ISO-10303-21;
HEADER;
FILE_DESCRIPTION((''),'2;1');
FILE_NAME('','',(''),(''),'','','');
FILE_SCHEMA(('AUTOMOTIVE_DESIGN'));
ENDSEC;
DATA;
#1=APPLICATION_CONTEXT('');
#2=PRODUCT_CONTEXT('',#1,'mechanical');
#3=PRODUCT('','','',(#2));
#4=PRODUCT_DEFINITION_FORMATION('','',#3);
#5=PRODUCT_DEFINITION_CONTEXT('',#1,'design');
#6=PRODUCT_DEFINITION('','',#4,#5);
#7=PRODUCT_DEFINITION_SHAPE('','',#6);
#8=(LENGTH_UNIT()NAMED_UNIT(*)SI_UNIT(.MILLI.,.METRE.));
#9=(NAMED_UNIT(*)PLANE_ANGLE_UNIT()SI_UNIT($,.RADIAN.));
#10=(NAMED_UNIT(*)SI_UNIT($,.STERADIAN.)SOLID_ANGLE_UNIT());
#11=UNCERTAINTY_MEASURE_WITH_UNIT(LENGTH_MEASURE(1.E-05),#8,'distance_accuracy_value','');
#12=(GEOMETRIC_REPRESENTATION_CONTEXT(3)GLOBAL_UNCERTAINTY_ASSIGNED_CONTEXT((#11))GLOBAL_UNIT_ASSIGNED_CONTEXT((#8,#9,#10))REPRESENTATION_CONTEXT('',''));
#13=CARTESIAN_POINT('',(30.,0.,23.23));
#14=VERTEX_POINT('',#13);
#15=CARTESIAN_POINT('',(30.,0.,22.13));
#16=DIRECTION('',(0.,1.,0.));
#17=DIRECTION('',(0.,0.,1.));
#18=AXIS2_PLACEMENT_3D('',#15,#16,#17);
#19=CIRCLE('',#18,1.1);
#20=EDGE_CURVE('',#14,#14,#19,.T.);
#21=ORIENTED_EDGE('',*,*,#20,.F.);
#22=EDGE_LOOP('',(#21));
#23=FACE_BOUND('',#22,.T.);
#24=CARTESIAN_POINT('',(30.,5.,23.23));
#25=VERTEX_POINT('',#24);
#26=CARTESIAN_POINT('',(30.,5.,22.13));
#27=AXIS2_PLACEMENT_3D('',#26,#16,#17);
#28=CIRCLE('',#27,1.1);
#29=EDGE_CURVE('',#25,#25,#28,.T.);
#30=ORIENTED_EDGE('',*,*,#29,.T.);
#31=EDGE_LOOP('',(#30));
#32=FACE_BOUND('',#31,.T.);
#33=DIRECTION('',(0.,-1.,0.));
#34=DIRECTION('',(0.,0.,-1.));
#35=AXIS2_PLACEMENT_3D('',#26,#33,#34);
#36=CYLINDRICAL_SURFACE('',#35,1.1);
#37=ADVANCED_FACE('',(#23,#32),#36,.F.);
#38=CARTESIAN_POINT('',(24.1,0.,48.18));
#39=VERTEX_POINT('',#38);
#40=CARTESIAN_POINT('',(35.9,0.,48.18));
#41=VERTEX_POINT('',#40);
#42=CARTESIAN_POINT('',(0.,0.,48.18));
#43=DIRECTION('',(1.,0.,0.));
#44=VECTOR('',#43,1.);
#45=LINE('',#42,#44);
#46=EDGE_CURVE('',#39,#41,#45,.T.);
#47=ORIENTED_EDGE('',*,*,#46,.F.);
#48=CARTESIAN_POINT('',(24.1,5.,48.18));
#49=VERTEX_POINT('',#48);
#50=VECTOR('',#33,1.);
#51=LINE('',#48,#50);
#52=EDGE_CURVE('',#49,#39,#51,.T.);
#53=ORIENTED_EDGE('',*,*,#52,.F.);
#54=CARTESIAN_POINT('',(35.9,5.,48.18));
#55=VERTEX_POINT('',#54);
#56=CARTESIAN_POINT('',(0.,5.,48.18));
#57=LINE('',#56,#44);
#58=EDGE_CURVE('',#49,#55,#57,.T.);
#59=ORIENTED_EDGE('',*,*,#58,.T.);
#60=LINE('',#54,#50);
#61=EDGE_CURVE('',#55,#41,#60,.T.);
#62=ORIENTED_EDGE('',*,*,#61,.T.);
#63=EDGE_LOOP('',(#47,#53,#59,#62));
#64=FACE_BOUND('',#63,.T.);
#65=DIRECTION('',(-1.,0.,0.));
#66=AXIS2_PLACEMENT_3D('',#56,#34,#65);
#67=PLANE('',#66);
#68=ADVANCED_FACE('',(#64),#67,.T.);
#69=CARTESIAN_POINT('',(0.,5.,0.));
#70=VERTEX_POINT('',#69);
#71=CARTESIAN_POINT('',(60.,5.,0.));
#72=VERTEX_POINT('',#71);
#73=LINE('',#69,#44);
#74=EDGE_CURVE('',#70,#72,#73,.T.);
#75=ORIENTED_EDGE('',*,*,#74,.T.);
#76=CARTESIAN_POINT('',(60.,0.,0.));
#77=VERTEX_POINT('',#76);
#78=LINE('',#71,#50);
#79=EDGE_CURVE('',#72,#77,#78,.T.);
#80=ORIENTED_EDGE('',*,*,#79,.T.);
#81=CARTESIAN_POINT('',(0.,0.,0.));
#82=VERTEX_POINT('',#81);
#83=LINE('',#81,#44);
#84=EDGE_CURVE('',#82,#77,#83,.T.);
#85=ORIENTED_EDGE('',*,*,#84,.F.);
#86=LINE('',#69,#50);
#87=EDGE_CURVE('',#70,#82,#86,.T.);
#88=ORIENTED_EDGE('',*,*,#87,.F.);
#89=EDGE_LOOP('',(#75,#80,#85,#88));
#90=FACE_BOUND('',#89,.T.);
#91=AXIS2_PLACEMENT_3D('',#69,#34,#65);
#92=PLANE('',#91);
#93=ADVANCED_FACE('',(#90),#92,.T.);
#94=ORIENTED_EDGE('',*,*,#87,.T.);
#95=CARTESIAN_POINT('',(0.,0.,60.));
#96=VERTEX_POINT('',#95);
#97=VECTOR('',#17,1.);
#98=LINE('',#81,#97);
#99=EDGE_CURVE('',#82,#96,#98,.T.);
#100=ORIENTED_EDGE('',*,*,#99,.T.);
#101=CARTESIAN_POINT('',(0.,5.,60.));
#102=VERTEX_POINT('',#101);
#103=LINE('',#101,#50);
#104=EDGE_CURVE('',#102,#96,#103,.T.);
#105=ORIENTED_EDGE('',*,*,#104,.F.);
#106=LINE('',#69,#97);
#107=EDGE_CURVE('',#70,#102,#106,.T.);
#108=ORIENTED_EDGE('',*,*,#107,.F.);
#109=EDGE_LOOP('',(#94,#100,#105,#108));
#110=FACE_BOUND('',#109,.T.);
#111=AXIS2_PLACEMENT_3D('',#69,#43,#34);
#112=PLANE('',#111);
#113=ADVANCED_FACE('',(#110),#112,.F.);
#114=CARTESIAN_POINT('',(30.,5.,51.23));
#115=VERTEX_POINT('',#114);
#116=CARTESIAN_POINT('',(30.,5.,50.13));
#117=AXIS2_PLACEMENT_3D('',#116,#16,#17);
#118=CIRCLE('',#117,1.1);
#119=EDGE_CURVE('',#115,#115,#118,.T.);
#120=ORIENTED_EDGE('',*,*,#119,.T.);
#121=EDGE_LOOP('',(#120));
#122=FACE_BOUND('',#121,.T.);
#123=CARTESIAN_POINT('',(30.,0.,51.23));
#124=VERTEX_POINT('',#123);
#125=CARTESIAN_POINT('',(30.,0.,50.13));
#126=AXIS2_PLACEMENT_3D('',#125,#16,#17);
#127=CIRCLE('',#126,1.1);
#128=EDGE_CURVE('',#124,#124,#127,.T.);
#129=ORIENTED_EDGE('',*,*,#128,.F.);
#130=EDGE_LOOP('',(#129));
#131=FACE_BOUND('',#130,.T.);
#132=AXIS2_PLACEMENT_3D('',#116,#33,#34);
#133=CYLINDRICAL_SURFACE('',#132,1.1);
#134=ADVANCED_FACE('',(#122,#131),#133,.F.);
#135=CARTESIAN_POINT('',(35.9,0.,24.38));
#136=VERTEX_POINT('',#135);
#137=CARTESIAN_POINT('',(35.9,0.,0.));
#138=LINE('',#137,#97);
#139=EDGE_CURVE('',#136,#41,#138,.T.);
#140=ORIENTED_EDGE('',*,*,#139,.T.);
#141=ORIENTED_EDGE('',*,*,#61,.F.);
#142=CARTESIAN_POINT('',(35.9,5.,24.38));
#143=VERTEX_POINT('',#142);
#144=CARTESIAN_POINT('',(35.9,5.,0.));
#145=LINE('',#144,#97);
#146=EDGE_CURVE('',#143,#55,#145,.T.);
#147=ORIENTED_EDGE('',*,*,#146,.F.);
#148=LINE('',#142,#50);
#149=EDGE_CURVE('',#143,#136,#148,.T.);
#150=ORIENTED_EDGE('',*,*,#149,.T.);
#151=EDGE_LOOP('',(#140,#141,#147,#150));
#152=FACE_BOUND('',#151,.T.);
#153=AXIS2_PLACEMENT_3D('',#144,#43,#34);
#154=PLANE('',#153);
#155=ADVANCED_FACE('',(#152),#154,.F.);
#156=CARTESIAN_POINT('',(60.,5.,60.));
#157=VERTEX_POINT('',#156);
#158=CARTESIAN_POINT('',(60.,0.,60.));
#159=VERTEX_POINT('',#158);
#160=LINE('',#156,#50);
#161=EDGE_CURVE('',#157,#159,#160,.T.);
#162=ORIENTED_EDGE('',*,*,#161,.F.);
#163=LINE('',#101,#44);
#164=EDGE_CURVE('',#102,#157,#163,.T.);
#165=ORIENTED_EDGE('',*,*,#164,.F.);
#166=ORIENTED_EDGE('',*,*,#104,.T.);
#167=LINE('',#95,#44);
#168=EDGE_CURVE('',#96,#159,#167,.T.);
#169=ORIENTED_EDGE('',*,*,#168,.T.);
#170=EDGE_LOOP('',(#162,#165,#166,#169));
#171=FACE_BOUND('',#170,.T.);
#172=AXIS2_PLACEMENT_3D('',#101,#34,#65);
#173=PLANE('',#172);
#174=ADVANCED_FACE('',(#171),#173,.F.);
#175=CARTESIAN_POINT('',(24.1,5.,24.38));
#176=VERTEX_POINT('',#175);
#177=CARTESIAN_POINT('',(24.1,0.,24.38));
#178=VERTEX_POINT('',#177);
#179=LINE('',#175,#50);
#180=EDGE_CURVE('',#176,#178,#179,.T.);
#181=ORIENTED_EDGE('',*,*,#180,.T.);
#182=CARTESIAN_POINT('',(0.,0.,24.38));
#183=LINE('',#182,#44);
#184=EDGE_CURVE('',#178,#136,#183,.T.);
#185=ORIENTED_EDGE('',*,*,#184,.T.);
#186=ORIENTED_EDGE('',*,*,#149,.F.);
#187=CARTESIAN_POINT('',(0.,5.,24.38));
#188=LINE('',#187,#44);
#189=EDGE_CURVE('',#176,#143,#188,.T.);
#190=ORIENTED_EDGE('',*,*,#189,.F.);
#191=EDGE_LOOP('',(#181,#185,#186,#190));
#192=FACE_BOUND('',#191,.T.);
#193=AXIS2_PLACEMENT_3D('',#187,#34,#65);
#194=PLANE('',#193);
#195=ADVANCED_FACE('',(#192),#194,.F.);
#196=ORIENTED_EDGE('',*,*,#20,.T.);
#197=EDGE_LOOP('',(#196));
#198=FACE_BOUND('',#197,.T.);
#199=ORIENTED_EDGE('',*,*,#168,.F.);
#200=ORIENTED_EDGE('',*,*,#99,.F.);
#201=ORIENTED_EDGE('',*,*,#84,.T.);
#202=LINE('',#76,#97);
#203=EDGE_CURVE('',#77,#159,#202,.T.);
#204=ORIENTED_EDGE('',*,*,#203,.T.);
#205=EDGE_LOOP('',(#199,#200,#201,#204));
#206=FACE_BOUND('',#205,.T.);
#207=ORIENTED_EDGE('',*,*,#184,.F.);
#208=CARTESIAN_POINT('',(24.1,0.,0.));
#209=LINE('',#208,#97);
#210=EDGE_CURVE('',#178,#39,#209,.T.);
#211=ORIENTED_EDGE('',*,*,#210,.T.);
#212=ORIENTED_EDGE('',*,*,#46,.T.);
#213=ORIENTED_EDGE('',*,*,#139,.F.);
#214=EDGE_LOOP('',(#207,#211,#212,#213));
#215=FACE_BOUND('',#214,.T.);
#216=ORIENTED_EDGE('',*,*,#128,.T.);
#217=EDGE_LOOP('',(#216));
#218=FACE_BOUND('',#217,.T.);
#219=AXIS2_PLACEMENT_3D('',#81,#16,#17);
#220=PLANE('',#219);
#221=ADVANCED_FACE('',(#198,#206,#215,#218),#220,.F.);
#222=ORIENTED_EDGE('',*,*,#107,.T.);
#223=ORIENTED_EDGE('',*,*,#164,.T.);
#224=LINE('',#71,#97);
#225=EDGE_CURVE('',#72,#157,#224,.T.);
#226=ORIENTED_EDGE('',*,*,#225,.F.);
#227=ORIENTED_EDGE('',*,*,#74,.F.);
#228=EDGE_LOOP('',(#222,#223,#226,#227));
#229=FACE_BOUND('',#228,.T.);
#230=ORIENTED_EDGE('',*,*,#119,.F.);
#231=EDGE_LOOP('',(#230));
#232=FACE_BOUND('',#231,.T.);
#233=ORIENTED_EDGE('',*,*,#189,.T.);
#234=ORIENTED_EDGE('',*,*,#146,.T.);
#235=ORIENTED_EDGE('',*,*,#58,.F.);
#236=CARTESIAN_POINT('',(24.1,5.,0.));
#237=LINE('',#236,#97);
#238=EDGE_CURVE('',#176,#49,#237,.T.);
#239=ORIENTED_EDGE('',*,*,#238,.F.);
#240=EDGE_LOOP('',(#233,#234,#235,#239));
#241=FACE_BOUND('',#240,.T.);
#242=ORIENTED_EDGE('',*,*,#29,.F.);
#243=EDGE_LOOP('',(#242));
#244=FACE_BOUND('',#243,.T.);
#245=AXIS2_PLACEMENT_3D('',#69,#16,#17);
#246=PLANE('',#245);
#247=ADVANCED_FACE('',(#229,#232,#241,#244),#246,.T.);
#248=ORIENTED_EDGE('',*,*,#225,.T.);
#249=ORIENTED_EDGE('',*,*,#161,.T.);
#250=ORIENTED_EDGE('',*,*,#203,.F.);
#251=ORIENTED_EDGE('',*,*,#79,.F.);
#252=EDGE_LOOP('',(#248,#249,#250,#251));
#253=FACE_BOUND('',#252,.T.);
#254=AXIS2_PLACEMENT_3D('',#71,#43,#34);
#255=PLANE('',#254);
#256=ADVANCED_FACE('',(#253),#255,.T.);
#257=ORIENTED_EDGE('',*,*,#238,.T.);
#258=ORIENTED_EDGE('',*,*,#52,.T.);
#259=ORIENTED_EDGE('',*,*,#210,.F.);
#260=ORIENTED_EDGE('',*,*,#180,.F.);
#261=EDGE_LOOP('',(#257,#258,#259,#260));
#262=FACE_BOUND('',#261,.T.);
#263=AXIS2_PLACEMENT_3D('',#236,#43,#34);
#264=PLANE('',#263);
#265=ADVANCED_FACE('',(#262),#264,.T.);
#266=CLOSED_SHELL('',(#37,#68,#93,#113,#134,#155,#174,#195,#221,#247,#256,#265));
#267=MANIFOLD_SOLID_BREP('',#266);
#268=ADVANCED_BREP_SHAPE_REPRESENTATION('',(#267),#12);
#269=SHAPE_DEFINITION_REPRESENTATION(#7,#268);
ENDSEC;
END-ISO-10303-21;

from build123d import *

# Parameters (mm, degrees)
EXTRUDE_1_DEPTH = 5


with BuildPart() as part:
    # 草图1 → 凸台-拉伸1 (new body)
    with BuildSketch(Plane(origin=(0, 0, 0), x_dir=(1, 0, 0), z_dir=(0, 1, 0))):
        Polygon((30, -20.08), (30, 0), (0, 0), (0, -60), (30, -60), (30, -52.18), (24.1, -52.18), (24.1, -48.18), (24.1, -24.38), (24.1, -20.08), align=None)
        Polygon((60, 0), (30, 0), (30, -20.08), (35.9, -20.08), (35.9, -24.38), (35.9, -48.18), (35.9, -52.18), (30, -52.18), (30, -60), (60, -60), align=None)
        with BuildLine():
            Line((30, -48.18), (24.1, -48.18))
            Line((24.1, -48.18), (24.1, -52.18))
            Line((24.1, -52.18), (30, -52.18))
            Line((30, -52.18), (30, -51.23))
            ThreePointArc((30, -51.23), (28.9, -50.13), (30, -49.03))
            Line((30, -49.03), (30, -48.18))
        make_face()
        with BuildLine():
            Line((35.9, -52.18), (35.9, -48.18))
            Line((35.9, -48.18), (30, -48.18))
            Line((30, -48.18), (30, -49.03))
            ThreePointArc((30, -49.03), (30.777817459, -49.352182541), (31.1, -50.13))
            ThreePointArc((31.1, -50.13), (30.777817459, -50.907817459), (30, -51.23))
            Line((30, -51.23), (30, -52.18))
            Line((30, -52.18), (35.9, -52.18))
        make_face()
        with BuildLine():
            Line((30, -21.03), (30, -20.08))
            Line((30, -20.08), (24.1, -20.08))
            Line((24.1, -20.08), (24.1, -24.38))
            Line((24.1, -24.38), (30, -24.38))
            Line((30, -24.38), (30, -23.23))
            ThreePointArc((30, -23.23), (28.9, -22.13), (30, -21.03))
        make_face()
        with BuildLine():
            Line((35.9, -20.08), (30, -20.08))
            Line((30, -20.08), (30, -21.03))
            ThreePointArc((30, -21.03), (30.777817459, -21.352182541), (31.1, -22.13))
            ThreePointArc((31.1, -22.13), (30.777817459, -22.907817459), (30, -23.23))
            Line((30, -23.23), (30, -24.38))
            Line((30, -24.38), (35.9, -24.38))
            Line((35.9, -24.38), (35.9, -20.08))
        make_face()
    extrude(amount=EXTRUDE_1_DEPTH)


solid = part.part
